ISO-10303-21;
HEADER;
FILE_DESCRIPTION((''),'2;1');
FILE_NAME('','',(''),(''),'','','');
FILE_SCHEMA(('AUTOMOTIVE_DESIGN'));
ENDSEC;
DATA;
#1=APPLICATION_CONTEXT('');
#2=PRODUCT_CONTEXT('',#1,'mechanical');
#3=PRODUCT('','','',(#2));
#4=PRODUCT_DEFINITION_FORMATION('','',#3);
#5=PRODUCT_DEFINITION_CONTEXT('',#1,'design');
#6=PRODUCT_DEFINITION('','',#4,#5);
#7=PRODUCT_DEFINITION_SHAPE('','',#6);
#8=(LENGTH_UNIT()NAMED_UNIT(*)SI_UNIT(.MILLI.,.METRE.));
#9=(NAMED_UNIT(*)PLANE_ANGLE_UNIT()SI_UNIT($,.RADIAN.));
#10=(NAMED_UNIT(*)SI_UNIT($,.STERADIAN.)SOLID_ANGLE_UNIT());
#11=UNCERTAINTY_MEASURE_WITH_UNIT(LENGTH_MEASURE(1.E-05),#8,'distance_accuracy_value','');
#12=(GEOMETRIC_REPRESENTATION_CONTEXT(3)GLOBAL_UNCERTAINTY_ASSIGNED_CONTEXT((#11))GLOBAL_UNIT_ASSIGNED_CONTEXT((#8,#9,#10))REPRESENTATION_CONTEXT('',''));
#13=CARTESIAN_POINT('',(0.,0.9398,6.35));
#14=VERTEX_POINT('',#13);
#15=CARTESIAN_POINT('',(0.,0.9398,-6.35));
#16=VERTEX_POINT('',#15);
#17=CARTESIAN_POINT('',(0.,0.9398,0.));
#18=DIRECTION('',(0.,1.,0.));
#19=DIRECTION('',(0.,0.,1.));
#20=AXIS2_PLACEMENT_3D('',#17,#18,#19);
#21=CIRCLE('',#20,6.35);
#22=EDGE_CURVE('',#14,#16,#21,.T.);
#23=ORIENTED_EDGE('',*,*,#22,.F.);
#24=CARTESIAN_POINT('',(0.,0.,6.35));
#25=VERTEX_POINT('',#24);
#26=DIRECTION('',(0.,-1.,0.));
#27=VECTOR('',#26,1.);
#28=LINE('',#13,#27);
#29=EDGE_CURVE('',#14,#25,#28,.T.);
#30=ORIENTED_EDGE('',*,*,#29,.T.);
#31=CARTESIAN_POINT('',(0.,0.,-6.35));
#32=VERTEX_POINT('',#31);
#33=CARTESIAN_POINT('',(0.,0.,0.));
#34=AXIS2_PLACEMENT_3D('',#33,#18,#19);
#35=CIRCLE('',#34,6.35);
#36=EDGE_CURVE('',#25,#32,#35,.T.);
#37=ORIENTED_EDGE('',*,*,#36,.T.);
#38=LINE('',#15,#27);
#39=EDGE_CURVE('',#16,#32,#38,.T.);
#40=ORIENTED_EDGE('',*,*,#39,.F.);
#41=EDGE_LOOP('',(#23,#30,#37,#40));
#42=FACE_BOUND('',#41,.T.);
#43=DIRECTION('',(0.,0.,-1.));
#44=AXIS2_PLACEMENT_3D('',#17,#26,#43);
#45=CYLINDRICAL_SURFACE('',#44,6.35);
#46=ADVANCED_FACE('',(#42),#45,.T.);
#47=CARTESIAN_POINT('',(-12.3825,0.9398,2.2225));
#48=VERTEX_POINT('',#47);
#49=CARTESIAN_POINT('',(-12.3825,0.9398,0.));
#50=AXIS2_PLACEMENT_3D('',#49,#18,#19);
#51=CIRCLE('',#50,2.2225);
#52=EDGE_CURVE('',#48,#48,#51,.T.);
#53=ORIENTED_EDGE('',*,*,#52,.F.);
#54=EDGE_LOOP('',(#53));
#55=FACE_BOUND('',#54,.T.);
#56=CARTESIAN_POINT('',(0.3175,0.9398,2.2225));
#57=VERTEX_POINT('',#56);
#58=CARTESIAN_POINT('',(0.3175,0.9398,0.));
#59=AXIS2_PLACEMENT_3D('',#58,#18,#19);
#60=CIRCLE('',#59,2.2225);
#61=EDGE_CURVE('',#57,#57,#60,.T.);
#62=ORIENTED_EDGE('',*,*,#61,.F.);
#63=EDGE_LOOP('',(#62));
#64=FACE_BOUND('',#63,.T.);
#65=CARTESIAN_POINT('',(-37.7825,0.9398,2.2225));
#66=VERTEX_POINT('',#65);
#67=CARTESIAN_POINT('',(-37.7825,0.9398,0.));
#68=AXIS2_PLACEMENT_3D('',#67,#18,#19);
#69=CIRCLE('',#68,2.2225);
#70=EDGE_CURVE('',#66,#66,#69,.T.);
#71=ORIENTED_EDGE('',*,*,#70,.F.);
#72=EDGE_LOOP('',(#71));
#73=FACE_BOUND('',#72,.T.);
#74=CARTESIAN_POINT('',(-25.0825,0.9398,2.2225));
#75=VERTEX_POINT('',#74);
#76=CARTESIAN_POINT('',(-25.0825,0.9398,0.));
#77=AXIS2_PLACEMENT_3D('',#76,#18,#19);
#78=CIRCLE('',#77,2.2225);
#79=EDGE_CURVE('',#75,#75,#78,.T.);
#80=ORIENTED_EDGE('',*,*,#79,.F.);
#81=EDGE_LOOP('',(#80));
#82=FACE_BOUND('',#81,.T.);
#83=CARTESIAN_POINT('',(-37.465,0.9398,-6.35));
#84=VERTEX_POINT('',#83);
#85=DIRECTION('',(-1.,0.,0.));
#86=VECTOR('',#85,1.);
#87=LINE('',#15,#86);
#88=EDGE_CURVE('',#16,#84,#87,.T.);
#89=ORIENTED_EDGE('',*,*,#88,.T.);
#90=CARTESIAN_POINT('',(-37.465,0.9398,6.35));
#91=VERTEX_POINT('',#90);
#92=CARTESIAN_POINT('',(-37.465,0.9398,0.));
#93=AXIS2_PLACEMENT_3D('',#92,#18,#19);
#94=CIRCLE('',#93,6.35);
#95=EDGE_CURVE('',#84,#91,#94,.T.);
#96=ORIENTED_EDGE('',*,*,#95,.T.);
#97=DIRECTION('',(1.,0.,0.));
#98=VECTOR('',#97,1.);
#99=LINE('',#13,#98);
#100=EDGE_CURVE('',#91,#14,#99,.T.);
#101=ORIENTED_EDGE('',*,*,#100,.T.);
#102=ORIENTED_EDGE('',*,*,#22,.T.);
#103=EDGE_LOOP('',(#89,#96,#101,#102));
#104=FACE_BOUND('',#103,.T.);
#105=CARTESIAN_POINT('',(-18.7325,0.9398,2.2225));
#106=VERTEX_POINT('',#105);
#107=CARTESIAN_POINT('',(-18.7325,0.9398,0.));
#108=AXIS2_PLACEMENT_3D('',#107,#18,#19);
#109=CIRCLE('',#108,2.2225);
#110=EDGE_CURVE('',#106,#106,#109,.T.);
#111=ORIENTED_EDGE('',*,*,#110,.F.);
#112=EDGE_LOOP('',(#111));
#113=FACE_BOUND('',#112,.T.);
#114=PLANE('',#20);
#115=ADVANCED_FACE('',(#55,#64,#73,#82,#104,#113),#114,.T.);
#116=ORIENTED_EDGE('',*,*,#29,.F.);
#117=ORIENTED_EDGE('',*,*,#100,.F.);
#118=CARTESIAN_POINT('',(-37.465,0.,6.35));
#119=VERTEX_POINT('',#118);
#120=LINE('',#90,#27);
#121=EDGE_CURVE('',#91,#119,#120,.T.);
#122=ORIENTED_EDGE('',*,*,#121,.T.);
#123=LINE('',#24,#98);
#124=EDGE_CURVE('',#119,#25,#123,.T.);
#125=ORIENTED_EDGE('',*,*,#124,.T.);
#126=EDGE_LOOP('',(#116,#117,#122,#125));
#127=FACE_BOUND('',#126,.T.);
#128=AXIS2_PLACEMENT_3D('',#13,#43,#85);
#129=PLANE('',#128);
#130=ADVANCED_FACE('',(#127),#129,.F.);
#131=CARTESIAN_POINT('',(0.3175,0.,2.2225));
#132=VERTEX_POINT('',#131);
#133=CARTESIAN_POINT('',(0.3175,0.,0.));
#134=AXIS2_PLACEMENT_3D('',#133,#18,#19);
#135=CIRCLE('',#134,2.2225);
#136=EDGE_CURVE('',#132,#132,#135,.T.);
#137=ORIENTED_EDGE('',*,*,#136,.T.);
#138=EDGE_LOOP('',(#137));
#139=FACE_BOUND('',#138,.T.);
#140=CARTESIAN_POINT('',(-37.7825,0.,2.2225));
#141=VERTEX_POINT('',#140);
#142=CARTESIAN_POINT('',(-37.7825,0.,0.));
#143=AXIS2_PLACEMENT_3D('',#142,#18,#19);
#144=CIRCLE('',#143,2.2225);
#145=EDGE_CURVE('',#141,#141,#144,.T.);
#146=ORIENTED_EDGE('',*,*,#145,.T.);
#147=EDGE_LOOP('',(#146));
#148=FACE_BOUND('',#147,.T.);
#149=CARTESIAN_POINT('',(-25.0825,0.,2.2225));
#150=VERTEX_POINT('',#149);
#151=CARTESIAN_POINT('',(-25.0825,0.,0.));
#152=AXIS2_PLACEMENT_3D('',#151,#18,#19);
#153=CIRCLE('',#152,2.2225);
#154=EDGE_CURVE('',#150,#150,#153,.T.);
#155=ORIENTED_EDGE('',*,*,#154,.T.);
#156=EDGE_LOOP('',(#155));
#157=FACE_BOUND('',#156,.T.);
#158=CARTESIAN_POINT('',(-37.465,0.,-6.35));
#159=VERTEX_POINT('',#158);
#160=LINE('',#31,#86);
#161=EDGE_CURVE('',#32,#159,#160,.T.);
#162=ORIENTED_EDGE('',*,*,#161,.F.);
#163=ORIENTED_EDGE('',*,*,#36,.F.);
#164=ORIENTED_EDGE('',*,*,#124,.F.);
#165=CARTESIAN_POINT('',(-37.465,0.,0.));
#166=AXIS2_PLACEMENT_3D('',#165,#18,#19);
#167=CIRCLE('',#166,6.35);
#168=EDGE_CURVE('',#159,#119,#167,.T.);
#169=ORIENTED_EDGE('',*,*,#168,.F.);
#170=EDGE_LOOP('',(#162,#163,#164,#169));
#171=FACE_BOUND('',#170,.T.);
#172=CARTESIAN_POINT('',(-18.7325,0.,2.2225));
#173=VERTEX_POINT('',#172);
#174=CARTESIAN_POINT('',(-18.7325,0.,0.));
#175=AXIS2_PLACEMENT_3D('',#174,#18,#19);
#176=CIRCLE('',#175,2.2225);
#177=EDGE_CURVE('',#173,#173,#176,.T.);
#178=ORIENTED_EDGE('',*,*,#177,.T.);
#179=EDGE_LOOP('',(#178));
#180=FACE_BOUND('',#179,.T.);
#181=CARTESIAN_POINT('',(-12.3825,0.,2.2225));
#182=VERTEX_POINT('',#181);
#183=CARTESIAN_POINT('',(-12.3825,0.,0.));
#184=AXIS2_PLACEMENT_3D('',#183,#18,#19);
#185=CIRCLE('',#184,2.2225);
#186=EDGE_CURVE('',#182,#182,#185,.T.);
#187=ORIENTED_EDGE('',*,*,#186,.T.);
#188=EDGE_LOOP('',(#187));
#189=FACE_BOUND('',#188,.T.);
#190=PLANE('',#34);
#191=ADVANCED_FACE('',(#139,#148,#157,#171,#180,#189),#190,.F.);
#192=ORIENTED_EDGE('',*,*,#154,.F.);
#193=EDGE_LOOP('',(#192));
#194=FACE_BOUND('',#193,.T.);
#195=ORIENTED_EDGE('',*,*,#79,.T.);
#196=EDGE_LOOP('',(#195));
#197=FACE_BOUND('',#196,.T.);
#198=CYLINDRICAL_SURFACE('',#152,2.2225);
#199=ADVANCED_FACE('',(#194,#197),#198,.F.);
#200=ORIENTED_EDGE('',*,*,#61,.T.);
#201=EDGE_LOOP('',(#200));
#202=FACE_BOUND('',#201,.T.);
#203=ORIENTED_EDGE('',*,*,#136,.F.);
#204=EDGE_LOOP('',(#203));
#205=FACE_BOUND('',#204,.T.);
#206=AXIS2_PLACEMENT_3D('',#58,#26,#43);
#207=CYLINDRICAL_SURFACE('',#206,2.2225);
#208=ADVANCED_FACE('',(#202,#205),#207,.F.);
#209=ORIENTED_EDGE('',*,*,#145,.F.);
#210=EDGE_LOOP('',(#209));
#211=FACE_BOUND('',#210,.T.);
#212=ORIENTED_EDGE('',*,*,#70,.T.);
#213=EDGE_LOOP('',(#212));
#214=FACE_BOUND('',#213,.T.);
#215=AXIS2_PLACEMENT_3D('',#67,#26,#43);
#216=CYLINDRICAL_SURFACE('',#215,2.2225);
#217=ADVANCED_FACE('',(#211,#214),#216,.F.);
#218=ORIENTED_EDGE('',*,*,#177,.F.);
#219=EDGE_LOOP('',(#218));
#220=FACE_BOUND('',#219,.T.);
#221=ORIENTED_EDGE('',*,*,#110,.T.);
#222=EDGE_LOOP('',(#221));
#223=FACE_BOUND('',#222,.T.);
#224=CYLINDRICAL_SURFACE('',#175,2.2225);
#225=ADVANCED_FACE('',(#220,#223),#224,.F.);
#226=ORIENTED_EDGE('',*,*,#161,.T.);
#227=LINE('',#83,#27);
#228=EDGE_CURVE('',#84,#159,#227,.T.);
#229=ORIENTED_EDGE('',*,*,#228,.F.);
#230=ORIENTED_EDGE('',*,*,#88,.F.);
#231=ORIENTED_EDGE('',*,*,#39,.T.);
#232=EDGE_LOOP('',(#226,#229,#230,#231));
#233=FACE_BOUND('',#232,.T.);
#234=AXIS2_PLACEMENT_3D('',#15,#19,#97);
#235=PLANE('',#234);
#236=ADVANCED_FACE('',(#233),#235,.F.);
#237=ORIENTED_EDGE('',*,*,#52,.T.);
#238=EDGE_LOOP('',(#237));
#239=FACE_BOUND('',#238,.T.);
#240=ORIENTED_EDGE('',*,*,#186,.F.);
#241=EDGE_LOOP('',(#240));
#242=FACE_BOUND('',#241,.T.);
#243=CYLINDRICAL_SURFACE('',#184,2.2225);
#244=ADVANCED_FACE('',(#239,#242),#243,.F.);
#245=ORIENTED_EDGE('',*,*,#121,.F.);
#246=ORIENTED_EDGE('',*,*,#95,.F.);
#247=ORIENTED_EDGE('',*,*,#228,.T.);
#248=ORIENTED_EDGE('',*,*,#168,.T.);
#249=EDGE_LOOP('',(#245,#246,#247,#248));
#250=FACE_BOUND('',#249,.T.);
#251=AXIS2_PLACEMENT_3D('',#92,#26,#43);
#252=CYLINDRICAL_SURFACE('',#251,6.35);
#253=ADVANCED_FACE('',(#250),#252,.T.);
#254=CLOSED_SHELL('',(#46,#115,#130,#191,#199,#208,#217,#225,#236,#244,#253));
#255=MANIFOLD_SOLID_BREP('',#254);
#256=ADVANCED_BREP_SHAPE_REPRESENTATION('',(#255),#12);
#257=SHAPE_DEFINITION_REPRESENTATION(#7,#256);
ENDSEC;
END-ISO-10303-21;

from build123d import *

# Parameters (mm, degrees)
SKETCH1_R                = 2.2225
BAR_DEPTH                = 0.9398
SKETCH2_R                = 2.2225
CENTER_HOLE_DEPTH        = 45.282727435
OTHER_CENTER_HOLES_COUNT = 3
OTHER_CENTER_HOLES_PITCH = 6.35


with BuildPart() as part:
    # Sketch1 → Bar (new body)
    with BuildSketch(Plane(origin=(0, 0, 0), x_dir=(-1, 0, 0), z_dir=(0, 1, 0))):
        with BuildLine():
            Line((37.465, 6.35), (0, 6.35))
            ThreePointArc((0, 6.35), (-6.35, 0), (0, -6.35))
            Line((0, -6.35), (37.465, -6.35))
            ThreePointArc((37.465, -6.35), (43.815, 0), (37.465, 6.35))
        make_face()
        with Locations(Location((37.7825, 0, 0), (0, 0, 90))):
            Circle(SKETCH1_R, mode=Mode.SUBTRACT)
        with Locations(Location((-0.3175, 0, 0), (0, 0, 90))):
            Circle(SKETCH1_R, mode=Mode.SUBTRACT)
    extrude(amount=BAR_DEPTH)

    # Sketch2 → Center Hole (cut, through all)
    with BuildSketch(Plane(origin=(0, 0.9398, 0), x_dir=(1, 0, 0), z_dir=(0, 1, 0))):
        with Locations(Location((-25.0825, 0, 0), (0, 0, 270))):
            Circle(SKETCH2_R)
    center_hole = extrude(amount=-CENTER_HOLE_DEPTH, mode=Mode.SUBTRACT)

    # Other Center Holes: Center Hole ×3
    with Locations(*[(i * OTHER_CENTER_HOLES_PITCH, 0, 0) for i in range(1, OTHER_CENTER_HOLES_COUNT)]):
        add(center_hole, mode=Mode.SUBTRACT)


solid = part.part
